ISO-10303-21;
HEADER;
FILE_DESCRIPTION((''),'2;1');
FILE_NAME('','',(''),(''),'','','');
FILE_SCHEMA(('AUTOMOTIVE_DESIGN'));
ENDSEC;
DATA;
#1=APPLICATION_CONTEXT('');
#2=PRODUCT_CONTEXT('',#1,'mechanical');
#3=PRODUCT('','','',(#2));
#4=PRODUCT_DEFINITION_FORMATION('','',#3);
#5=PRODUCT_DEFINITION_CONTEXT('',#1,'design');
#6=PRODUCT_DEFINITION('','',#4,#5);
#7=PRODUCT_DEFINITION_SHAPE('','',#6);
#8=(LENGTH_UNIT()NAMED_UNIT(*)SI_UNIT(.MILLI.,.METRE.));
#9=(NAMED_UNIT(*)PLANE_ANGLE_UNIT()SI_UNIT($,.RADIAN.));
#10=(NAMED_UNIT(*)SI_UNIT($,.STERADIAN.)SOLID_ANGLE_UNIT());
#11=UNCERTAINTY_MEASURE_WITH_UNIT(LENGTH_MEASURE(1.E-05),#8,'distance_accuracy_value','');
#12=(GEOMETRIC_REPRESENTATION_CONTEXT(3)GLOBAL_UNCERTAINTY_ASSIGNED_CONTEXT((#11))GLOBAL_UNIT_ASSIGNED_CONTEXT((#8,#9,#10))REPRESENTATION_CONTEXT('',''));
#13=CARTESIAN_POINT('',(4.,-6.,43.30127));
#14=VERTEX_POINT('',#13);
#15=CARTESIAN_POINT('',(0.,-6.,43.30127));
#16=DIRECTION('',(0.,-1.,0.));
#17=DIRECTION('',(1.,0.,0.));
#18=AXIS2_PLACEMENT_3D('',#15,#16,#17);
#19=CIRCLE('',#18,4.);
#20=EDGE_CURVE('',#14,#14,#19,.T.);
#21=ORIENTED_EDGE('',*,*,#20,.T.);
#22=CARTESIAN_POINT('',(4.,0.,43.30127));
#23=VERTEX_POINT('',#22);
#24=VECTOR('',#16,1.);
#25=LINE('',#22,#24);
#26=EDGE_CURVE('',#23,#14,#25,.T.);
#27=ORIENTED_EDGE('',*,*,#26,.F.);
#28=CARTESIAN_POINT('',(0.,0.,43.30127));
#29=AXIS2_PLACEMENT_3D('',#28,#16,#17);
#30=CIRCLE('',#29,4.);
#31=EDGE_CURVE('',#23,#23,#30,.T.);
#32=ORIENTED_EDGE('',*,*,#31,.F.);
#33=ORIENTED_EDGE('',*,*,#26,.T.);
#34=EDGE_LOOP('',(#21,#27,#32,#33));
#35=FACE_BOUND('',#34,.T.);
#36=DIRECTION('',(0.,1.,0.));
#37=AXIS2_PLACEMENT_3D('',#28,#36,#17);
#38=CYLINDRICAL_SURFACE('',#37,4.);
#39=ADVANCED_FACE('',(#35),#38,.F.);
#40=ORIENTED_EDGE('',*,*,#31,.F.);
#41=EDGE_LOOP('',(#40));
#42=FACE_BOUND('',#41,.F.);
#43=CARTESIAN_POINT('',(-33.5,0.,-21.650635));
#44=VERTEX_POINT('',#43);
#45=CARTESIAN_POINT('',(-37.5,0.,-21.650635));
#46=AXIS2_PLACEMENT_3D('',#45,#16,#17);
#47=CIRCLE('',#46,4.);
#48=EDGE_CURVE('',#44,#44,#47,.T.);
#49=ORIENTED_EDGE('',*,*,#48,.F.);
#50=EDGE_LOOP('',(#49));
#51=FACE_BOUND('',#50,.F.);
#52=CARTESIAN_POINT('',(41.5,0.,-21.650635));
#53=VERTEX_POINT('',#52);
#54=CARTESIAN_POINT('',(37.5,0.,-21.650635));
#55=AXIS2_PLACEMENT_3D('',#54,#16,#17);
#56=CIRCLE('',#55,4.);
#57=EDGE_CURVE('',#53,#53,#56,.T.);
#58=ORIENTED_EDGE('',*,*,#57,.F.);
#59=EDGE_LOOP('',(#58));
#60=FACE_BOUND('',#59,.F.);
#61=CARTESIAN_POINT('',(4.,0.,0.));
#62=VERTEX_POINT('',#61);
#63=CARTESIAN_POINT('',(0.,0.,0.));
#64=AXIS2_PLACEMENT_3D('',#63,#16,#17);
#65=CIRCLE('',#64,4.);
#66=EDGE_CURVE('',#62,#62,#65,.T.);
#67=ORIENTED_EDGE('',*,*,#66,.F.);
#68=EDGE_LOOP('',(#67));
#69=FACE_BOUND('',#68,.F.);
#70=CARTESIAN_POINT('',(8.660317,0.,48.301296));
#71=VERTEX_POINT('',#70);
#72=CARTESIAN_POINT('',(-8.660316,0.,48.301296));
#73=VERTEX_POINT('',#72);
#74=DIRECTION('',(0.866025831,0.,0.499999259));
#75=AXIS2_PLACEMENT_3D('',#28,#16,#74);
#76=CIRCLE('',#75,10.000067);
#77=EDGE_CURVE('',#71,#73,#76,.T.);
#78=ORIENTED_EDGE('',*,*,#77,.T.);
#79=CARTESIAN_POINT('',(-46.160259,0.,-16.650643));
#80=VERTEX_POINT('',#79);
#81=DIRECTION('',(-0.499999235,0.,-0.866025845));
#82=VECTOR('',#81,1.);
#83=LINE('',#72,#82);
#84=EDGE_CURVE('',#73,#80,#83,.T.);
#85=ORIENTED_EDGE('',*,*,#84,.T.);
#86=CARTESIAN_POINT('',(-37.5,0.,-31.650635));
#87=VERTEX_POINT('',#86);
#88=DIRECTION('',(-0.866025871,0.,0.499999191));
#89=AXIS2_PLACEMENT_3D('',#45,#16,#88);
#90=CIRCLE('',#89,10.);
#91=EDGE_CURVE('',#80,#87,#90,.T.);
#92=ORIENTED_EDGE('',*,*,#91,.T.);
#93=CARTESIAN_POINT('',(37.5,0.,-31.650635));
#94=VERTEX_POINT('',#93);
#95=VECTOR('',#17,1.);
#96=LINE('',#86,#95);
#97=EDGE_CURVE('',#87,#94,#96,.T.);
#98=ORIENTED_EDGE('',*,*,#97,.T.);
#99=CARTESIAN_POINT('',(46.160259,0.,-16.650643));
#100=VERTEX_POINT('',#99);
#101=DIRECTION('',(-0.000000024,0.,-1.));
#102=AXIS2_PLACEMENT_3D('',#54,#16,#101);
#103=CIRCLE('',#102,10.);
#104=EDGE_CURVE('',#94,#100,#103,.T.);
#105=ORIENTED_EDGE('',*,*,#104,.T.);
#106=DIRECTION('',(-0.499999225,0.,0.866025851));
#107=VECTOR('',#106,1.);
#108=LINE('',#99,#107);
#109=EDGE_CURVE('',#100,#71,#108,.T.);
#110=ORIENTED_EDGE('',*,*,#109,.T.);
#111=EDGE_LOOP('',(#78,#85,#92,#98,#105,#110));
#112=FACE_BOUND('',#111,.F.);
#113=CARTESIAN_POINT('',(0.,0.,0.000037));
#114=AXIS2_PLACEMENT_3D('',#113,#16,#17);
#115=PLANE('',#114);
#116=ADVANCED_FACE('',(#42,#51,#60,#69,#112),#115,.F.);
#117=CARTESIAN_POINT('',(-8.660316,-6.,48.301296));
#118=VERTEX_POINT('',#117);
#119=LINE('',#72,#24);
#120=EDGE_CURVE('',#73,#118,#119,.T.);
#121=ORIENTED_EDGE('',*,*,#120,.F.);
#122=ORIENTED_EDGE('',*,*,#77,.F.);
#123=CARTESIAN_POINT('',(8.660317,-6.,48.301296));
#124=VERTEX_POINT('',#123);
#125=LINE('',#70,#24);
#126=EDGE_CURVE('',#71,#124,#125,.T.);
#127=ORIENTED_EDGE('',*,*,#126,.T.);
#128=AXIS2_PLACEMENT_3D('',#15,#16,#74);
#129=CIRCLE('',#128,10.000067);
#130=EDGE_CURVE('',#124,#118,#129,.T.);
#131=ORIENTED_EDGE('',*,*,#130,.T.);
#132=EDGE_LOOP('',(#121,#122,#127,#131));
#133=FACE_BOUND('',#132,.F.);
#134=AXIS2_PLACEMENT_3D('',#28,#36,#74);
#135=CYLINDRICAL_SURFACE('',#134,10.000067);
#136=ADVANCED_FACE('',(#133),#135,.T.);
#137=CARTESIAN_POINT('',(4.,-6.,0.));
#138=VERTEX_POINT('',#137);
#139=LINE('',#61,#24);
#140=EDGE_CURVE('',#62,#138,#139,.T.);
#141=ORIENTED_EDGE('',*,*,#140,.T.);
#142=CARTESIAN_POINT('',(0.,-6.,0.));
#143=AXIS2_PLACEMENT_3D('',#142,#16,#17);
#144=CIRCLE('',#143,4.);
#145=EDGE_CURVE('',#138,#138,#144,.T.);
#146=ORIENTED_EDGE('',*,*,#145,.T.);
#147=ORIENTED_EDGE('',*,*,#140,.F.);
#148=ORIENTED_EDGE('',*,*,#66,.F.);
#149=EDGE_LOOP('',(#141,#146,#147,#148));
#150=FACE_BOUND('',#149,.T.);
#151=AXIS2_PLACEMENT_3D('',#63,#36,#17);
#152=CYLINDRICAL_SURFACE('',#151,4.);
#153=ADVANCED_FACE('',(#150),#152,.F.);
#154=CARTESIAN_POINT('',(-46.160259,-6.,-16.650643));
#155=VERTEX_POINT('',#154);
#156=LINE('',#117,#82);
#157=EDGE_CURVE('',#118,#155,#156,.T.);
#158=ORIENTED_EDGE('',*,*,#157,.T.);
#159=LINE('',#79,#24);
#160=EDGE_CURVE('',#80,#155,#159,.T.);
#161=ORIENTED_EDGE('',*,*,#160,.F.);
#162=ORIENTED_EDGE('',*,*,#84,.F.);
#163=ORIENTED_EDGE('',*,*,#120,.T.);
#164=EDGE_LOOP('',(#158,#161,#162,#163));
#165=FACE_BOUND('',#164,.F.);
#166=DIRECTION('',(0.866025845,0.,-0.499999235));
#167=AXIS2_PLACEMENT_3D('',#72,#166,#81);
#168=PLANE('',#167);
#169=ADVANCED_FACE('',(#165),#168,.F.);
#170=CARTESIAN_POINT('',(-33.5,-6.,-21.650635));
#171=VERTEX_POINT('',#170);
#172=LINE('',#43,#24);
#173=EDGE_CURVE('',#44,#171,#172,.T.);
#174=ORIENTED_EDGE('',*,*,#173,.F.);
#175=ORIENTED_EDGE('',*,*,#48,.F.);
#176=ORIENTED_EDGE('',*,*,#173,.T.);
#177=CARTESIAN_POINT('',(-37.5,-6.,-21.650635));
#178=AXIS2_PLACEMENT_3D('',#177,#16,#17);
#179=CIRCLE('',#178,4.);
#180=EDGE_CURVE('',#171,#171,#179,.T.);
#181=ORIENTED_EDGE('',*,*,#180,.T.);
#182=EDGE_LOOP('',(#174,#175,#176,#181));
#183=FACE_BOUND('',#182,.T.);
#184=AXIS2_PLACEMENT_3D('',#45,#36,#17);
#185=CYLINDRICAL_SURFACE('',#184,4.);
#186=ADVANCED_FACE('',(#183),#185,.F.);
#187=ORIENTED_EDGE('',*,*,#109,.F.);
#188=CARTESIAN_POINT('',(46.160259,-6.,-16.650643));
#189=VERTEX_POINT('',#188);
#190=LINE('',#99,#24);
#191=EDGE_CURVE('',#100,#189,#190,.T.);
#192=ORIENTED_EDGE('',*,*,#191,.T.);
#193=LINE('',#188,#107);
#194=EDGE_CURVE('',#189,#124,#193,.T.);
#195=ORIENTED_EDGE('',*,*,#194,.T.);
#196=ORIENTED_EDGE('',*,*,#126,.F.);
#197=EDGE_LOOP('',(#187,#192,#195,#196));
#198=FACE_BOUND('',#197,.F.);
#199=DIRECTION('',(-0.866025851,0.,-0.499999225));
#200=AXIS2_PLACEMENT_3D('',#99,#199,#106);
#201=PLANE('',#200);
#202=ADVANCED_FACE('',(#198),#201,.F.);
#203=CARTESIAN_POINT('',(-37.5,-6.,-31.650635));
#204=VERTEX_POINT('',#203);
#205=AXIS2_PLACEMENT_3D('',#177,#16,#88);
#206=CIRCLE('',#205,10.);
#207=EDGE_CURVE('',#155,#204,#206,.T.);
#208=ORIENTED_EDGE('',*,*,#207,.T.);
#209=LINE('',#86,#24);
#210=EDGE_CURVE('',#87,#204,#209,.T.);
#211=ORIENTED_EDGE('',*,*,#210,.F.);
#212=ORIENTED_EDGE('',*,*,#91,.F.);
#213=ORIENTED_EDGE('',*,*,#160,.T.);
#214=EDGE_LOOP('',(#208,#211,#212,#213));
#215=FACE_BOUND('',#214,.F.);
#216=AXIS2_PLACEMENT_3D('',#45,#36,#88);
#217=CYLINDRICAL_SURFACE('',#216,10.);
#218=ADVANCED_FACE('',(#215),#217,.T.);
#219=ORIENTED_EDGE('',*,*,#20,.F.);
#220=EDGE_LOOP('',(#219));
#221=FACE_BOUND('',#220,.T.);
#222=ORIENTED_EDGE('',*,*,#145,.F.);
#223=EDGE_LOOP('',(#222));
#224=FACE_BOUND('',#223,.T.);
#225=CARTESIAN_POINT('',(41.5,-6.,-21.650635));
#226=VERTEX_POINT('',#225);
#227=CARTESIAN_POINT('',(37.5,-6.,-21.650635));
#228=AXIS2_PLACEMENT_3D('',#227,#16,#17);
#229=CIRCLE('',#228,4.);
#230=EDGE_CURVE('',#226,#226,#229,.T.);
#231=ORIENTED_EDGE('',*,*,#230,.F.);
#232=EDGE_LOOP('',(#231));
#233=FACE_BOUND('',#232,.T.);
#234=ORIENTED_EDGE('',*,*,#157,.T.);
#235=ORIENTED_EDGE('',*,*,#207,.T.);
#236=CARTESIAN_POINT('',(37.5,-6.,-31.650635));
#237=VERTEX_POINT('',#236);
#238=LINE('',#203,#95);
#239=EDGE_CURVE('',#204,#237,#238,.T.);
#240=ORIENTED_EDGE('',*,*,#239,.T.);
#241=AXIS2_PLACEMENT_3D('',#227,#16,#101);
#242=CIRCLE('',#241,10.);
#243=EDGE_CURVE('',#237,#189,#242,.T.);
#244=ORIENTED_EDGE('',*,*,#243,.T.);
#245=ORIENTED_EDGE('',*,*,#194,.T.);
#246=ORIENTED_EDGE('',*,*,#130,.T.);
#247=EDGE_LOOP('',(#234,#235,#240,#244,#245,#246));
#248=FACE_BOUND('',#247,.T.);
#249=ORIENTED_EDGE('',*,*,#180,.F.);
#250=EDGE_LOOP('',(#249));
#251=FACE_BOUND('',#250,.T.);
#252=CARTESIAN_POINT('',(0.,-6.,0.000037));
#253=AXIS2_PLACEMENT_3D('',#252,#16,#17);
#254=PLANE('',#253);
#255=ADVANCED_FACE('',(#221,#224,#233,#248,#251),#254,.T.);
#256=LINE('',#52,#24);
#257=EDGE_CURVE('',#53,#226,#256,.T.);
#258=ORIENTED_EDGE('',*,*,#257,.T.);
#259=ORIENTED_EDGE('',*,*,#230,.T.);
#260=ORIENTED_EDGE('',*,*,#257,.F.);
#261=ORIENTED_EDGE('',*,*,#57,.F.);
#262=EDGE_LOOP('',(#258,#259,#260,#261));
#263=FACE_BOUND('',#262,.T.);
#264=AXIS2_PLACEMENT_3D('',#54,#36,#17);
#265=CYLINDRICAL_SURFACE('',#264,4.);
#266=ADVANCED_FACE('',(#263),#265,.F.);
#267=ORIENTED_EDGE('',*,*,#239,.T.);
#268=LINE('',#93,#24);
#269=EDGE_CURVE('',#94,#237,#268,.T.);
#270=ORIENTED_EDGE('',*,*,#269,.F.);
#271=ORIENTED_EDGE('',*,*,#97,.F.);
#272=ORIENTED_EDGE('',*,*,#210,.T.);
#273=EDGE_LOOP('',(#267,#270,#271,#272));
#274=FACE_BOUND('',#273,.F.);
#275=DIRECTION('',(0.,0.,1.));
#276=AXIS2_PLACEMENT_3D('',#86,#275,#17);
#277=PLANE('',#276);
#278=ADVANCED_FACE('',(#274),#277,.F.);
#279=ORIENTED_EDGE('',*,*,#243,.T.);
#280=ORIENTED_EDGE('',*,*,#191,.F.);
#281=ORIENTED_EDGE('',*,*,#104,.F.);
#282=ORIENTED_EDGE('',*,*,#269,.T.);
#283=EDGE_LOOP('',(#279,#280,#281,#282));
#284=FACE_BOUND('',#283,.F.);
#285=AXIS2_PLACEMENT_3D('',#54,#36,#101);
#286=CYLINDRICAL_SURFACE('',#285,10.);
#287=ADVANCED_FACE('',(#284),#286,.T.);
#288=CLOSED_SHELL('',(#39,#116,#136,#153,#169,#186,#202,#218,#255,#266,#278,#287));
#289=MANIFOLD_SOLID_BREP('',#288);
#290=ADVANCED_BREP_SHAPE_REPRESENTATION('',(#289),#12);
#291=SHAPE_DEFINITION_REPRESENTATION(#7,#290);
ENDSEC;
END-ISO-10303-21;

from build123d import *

# Parameters (mm, degrees)
SKETCH_R  = 4
PAD_DEPTH = 6


with BuildPart() as part:
    # Sketch → Pad (new body)
    with BuildSketch(Plane.XZ):
        with BuildLine():
            Line((46.160259, -16.650643), (8.660317, 48.301296))
            ThreePointArc((8.660317, 48.301296), (0, 53.301337), (-8.660316, 48.301296))
            Line((-8.660316, 48.301296), (-46.160259, -16.650643))
            ThreePointArc((-46.160259, -16.650643), (-46.160252, -26.650639), (-37.5, -31.650635))
            Line((-37.5, -31.650635), (37.5, -31.650635))
            ThreePointArc((37.5, -31.650635), (46.160252, -26.650639), (46.160259, -16.650643))
        make_face()
        with Locations((0, 43.30127)):
            Circle(SKETCH_R, mode=Mode.SUBTRACT)
        with Locations((37.5, -21.650635)):
            Circle(SKETCH_R, mode=Mode.SUBTRACT)
        with Locations((-37.5, -21.650635)):
            Circle(SKETCH_R, mode=Mode.SUBTRACT)
        Circle(SKETCH_R, mode=Mode.SUBTRACT)
    extrude(amount=PAD_DEPTH)


solid = part.part
